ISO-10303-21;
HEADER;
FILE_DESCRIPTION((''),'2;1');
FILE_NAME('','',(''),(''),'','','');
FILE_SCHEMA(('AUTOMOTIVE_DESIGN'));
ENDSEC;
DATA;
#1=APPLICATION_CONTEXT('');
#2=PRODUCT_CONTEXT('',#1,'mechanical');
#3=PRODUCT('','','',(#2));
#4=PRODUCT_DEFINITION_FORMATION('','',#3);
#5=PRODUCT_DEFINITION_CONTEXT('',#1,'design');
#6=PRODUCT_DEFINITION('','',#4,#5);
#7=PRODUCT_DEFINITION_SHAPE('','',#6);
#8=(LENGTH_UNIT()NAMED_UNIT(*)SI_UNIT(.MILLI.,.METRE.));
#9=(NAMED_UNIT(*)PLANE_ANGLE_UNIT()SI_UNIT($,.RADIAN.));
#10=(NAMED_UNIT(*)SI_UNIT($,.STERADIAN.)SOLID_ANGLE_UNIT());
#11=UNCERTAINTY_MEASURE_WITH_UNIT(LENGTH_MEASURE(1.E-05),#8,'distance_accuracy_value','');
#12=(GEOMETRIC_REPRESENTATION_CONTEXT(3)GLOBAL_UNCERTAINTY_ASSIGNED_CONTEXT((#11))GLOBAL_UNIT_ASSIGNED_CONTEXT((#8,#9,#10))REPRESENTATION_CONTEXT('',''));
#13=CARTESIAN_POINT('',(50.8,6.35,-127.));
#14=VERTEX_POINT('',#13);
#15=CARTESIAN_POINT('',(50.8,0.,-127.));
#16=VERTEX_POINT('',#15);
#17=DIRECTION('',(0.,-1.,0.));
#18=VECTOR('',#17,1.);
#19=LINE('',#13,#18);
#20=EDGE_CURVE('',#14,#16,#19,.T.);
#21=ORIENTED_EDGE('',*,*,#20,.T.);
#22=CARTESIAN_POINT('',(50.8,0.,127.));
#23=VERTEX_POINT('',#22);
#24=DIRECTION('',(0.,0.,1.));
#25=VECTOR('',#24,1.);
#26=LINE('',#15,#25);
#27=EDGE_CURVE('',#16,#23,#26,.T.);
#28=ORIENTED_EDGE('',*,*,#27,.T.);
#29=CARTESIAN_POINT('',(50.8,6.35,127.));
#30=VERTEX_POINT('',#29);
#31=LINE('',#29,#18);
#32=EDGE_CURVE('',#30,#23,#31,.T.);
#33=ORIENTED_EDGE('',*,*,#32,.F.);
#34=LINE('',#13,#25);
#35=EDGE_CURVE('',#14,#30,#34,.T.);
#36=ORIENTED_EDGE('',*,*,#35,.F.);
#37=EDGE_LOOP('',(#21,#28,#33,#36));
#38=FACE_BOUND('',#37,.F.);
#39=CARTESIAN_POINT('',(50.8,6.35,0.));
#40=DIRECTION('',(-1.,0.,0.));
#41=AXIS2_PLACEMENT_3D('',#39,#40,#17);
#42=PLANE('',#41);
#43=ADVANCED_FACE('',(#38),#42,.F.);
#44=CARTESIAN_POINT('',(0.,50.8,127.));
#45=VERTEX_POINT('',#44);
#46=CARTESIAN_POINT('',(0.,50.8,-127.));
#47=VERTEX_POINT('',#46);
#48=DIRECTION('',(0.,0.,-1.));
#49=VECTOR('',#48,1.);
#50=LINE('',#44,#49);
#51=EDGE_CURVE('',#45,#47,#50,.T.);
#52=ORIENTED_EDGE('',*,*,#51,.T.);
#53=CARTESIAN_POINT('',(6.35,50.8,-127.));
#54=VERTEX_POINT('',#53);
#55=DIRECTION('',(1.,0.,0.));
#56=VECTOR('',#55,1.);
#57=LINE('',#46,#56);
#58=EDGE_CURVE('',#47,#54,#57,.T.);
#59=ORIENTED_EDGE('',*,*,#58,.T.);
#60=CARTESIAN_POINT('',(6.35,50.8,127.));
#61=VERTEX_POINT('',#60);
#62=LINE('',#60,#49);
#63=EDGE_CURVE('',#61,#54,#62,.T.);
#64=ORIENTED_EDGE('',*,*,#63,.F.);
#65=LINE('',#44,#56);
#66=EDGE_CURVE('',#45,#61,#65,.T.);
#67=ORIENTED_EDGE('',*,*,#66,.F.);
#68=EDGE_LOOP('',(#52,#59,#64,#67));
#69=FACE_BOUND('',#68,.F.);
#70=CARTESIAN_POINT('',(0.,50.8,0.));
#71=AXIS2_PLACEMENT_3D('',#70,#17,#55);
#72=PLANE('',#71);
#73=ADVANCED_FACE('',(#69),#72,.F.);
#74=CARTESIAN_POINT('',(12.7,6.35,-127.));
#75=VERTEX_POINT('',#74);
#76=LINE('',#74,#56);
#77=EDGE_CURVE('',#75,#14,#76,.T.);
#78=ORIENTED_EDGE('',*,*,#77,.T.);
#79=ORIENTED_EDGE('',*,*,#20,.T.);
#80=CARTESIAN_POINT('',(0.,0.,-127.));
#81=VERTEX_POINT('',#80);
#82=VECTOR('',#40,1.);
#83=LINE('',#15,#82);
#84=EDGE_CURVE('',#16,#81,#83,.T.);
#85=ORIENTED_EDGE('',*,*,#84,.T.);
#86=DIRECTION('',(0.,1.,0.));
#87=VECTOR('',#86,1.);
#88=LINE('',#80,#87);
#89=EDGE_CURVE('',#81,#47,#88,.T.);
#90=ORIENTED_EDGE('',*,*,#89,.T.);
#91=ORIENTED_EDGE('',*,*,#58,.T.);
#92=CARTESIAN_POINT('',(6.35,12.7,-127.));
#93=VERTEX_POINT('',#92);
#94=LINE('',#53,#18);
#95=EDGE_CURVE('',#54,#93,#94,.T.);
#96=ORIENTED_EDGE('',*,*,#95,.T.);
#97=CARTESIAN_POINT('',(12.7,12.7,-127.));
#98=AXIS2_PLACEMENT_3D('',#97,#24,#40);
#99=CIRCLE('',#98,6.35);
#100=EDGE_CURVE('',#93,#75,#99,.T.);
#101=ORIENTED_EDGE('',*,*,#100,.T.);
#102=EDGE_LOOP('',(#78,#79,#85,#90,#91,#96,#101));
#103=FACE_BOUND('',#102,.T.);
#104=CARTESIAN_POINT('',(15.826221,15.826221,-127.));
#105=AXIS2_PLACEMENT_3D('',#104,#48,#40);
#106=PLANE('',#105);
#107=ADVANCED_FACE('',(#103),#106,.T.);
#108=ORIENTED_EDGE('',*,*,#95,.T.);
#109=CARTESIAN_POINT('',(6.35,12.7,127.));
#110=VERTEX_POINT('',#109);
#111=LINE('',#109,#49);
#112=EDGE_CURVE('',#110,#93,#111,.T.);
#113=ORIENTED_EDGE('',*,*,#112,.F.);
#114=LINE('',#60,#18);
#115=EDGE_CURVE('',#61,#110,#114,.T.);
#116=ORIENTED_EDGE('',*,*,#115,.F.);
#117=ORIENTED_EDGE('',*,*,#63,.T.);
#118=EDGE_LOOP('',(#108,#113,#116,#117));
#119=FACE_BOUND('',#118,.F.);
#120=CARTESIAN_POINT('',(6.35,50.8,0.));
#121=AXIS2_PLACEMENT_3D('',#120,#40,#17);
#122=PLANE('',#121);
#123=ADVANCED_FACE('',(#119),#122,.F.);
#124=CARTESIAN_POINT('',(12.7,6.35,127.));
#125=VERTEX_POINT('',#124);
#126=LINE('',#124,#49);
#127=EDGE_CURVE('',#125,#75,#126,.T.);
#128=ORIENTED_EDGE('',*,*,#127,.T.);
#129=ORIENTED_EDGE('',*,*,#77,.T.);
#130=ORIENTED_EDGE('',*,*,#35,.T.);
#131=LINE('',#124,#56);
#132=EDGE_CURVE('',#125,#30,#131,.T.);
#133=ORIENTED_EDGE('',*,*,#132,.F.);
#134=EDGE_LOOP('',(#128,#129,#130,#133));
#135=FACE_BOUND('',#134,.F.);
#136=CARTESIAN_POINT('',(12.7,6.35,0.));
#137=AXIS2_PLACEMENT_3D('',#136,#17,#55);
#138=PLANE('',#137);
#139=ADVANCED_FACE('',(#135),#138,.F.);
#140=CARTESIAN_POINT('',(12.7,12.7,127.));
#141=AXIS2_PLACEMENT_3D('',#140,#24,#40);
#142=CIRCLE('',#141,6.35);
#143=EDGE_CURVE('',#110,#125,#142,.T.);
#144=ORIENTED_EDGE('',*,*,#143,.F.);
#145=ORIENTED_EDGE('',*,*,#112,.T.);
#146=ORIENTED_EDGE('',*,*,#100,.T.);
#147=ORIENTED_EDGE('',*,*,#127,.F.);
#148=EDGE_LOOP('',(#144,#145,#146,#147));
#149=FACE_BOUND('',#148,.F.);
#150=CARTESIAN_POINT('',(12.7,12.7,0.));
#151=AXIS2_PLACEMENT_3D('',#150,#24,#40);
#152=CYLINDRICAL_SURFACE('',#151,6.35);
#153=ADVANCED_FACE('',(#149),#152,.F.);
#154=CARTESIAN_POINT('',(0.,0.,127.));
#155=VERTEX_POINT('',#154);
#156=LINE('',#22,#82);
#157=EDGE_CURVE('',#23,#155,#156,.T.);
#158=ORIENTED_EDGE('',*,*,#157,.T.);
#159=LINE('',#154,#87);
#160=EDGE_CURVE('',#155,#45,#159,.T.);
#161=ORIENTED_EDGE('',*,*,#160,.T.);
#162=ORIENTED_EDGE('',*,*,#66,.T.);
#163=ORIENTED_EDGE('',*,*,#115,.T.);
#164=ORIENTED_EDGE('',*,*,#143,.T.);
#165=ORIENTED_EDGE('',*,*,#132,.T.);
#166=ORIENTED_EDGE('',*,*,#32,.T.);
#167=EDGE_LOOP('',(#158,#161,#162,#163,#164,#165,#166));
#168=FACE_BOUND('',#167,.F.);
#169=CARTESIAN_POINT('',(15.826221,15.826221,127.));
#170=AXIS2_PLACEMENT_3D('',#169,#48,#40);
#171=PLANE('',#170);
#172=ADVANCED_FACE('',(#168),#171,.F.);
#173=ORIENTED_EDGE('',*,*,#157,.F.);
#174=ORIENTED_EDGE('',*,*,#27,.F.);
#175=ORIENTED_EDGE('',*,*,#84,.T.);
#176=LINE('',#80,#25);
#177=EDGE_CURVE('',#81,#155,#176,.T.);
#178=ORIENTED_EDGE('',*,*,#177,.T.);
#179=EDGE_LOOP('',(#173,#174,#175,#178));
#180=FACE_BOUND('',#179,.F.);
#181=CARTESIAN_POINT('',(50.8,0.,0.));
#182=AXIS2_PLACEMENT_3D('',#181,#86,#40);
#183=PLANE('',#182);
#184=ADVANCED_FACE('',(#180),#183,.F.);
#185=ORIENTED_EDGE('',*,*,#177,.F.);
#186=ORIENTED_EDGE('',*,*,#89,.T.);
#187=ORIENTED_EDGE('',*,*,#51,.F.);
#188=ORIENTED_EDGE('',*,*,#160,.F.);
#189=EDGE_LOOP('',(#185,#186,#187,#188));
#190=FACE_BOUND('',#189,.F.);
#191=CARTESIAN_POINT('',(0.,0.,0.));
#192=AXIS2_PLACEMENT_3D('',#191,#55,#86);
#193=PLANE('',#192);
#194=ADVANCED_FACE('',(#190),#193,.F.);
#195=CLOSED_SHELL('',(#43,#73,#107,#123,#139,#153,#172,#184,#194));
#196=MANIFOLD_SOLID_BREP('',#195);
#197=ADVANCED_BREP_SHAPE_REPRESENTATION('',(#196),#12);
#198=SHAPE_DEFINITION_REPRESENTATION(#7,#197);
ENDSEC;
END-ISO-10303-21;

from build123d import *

# Parameters (mm, degrees)
BOSS_EXTRUDE1_DEPTH = 127


with BuildPart() as part:
    # Sketch2 → Boss-Extrude1 (new body, symmetric)
    with BuildSketch(Plane.XY):
        with BuildLine():
            Line((0, 0), (0, 50.8))
            Line((0, 50.8), (6.35, 50.8))
            Line((6.35, 50.8), (6.35, 12.7))
            ThreePointArc((6.35, 12.7), (8.209871939, 8.209871939), (12.7, 6.35))
            Line((12.7, 6.35), (50.8, 6.35))
            Line((50.8, 6.35), (50.8, 0))
            Line((50.8, 0), (0, 0))
        make_face()
    extrude(amount=BOSS_EXTRUDE1_DEPTH, both=True)


solid = part.part
